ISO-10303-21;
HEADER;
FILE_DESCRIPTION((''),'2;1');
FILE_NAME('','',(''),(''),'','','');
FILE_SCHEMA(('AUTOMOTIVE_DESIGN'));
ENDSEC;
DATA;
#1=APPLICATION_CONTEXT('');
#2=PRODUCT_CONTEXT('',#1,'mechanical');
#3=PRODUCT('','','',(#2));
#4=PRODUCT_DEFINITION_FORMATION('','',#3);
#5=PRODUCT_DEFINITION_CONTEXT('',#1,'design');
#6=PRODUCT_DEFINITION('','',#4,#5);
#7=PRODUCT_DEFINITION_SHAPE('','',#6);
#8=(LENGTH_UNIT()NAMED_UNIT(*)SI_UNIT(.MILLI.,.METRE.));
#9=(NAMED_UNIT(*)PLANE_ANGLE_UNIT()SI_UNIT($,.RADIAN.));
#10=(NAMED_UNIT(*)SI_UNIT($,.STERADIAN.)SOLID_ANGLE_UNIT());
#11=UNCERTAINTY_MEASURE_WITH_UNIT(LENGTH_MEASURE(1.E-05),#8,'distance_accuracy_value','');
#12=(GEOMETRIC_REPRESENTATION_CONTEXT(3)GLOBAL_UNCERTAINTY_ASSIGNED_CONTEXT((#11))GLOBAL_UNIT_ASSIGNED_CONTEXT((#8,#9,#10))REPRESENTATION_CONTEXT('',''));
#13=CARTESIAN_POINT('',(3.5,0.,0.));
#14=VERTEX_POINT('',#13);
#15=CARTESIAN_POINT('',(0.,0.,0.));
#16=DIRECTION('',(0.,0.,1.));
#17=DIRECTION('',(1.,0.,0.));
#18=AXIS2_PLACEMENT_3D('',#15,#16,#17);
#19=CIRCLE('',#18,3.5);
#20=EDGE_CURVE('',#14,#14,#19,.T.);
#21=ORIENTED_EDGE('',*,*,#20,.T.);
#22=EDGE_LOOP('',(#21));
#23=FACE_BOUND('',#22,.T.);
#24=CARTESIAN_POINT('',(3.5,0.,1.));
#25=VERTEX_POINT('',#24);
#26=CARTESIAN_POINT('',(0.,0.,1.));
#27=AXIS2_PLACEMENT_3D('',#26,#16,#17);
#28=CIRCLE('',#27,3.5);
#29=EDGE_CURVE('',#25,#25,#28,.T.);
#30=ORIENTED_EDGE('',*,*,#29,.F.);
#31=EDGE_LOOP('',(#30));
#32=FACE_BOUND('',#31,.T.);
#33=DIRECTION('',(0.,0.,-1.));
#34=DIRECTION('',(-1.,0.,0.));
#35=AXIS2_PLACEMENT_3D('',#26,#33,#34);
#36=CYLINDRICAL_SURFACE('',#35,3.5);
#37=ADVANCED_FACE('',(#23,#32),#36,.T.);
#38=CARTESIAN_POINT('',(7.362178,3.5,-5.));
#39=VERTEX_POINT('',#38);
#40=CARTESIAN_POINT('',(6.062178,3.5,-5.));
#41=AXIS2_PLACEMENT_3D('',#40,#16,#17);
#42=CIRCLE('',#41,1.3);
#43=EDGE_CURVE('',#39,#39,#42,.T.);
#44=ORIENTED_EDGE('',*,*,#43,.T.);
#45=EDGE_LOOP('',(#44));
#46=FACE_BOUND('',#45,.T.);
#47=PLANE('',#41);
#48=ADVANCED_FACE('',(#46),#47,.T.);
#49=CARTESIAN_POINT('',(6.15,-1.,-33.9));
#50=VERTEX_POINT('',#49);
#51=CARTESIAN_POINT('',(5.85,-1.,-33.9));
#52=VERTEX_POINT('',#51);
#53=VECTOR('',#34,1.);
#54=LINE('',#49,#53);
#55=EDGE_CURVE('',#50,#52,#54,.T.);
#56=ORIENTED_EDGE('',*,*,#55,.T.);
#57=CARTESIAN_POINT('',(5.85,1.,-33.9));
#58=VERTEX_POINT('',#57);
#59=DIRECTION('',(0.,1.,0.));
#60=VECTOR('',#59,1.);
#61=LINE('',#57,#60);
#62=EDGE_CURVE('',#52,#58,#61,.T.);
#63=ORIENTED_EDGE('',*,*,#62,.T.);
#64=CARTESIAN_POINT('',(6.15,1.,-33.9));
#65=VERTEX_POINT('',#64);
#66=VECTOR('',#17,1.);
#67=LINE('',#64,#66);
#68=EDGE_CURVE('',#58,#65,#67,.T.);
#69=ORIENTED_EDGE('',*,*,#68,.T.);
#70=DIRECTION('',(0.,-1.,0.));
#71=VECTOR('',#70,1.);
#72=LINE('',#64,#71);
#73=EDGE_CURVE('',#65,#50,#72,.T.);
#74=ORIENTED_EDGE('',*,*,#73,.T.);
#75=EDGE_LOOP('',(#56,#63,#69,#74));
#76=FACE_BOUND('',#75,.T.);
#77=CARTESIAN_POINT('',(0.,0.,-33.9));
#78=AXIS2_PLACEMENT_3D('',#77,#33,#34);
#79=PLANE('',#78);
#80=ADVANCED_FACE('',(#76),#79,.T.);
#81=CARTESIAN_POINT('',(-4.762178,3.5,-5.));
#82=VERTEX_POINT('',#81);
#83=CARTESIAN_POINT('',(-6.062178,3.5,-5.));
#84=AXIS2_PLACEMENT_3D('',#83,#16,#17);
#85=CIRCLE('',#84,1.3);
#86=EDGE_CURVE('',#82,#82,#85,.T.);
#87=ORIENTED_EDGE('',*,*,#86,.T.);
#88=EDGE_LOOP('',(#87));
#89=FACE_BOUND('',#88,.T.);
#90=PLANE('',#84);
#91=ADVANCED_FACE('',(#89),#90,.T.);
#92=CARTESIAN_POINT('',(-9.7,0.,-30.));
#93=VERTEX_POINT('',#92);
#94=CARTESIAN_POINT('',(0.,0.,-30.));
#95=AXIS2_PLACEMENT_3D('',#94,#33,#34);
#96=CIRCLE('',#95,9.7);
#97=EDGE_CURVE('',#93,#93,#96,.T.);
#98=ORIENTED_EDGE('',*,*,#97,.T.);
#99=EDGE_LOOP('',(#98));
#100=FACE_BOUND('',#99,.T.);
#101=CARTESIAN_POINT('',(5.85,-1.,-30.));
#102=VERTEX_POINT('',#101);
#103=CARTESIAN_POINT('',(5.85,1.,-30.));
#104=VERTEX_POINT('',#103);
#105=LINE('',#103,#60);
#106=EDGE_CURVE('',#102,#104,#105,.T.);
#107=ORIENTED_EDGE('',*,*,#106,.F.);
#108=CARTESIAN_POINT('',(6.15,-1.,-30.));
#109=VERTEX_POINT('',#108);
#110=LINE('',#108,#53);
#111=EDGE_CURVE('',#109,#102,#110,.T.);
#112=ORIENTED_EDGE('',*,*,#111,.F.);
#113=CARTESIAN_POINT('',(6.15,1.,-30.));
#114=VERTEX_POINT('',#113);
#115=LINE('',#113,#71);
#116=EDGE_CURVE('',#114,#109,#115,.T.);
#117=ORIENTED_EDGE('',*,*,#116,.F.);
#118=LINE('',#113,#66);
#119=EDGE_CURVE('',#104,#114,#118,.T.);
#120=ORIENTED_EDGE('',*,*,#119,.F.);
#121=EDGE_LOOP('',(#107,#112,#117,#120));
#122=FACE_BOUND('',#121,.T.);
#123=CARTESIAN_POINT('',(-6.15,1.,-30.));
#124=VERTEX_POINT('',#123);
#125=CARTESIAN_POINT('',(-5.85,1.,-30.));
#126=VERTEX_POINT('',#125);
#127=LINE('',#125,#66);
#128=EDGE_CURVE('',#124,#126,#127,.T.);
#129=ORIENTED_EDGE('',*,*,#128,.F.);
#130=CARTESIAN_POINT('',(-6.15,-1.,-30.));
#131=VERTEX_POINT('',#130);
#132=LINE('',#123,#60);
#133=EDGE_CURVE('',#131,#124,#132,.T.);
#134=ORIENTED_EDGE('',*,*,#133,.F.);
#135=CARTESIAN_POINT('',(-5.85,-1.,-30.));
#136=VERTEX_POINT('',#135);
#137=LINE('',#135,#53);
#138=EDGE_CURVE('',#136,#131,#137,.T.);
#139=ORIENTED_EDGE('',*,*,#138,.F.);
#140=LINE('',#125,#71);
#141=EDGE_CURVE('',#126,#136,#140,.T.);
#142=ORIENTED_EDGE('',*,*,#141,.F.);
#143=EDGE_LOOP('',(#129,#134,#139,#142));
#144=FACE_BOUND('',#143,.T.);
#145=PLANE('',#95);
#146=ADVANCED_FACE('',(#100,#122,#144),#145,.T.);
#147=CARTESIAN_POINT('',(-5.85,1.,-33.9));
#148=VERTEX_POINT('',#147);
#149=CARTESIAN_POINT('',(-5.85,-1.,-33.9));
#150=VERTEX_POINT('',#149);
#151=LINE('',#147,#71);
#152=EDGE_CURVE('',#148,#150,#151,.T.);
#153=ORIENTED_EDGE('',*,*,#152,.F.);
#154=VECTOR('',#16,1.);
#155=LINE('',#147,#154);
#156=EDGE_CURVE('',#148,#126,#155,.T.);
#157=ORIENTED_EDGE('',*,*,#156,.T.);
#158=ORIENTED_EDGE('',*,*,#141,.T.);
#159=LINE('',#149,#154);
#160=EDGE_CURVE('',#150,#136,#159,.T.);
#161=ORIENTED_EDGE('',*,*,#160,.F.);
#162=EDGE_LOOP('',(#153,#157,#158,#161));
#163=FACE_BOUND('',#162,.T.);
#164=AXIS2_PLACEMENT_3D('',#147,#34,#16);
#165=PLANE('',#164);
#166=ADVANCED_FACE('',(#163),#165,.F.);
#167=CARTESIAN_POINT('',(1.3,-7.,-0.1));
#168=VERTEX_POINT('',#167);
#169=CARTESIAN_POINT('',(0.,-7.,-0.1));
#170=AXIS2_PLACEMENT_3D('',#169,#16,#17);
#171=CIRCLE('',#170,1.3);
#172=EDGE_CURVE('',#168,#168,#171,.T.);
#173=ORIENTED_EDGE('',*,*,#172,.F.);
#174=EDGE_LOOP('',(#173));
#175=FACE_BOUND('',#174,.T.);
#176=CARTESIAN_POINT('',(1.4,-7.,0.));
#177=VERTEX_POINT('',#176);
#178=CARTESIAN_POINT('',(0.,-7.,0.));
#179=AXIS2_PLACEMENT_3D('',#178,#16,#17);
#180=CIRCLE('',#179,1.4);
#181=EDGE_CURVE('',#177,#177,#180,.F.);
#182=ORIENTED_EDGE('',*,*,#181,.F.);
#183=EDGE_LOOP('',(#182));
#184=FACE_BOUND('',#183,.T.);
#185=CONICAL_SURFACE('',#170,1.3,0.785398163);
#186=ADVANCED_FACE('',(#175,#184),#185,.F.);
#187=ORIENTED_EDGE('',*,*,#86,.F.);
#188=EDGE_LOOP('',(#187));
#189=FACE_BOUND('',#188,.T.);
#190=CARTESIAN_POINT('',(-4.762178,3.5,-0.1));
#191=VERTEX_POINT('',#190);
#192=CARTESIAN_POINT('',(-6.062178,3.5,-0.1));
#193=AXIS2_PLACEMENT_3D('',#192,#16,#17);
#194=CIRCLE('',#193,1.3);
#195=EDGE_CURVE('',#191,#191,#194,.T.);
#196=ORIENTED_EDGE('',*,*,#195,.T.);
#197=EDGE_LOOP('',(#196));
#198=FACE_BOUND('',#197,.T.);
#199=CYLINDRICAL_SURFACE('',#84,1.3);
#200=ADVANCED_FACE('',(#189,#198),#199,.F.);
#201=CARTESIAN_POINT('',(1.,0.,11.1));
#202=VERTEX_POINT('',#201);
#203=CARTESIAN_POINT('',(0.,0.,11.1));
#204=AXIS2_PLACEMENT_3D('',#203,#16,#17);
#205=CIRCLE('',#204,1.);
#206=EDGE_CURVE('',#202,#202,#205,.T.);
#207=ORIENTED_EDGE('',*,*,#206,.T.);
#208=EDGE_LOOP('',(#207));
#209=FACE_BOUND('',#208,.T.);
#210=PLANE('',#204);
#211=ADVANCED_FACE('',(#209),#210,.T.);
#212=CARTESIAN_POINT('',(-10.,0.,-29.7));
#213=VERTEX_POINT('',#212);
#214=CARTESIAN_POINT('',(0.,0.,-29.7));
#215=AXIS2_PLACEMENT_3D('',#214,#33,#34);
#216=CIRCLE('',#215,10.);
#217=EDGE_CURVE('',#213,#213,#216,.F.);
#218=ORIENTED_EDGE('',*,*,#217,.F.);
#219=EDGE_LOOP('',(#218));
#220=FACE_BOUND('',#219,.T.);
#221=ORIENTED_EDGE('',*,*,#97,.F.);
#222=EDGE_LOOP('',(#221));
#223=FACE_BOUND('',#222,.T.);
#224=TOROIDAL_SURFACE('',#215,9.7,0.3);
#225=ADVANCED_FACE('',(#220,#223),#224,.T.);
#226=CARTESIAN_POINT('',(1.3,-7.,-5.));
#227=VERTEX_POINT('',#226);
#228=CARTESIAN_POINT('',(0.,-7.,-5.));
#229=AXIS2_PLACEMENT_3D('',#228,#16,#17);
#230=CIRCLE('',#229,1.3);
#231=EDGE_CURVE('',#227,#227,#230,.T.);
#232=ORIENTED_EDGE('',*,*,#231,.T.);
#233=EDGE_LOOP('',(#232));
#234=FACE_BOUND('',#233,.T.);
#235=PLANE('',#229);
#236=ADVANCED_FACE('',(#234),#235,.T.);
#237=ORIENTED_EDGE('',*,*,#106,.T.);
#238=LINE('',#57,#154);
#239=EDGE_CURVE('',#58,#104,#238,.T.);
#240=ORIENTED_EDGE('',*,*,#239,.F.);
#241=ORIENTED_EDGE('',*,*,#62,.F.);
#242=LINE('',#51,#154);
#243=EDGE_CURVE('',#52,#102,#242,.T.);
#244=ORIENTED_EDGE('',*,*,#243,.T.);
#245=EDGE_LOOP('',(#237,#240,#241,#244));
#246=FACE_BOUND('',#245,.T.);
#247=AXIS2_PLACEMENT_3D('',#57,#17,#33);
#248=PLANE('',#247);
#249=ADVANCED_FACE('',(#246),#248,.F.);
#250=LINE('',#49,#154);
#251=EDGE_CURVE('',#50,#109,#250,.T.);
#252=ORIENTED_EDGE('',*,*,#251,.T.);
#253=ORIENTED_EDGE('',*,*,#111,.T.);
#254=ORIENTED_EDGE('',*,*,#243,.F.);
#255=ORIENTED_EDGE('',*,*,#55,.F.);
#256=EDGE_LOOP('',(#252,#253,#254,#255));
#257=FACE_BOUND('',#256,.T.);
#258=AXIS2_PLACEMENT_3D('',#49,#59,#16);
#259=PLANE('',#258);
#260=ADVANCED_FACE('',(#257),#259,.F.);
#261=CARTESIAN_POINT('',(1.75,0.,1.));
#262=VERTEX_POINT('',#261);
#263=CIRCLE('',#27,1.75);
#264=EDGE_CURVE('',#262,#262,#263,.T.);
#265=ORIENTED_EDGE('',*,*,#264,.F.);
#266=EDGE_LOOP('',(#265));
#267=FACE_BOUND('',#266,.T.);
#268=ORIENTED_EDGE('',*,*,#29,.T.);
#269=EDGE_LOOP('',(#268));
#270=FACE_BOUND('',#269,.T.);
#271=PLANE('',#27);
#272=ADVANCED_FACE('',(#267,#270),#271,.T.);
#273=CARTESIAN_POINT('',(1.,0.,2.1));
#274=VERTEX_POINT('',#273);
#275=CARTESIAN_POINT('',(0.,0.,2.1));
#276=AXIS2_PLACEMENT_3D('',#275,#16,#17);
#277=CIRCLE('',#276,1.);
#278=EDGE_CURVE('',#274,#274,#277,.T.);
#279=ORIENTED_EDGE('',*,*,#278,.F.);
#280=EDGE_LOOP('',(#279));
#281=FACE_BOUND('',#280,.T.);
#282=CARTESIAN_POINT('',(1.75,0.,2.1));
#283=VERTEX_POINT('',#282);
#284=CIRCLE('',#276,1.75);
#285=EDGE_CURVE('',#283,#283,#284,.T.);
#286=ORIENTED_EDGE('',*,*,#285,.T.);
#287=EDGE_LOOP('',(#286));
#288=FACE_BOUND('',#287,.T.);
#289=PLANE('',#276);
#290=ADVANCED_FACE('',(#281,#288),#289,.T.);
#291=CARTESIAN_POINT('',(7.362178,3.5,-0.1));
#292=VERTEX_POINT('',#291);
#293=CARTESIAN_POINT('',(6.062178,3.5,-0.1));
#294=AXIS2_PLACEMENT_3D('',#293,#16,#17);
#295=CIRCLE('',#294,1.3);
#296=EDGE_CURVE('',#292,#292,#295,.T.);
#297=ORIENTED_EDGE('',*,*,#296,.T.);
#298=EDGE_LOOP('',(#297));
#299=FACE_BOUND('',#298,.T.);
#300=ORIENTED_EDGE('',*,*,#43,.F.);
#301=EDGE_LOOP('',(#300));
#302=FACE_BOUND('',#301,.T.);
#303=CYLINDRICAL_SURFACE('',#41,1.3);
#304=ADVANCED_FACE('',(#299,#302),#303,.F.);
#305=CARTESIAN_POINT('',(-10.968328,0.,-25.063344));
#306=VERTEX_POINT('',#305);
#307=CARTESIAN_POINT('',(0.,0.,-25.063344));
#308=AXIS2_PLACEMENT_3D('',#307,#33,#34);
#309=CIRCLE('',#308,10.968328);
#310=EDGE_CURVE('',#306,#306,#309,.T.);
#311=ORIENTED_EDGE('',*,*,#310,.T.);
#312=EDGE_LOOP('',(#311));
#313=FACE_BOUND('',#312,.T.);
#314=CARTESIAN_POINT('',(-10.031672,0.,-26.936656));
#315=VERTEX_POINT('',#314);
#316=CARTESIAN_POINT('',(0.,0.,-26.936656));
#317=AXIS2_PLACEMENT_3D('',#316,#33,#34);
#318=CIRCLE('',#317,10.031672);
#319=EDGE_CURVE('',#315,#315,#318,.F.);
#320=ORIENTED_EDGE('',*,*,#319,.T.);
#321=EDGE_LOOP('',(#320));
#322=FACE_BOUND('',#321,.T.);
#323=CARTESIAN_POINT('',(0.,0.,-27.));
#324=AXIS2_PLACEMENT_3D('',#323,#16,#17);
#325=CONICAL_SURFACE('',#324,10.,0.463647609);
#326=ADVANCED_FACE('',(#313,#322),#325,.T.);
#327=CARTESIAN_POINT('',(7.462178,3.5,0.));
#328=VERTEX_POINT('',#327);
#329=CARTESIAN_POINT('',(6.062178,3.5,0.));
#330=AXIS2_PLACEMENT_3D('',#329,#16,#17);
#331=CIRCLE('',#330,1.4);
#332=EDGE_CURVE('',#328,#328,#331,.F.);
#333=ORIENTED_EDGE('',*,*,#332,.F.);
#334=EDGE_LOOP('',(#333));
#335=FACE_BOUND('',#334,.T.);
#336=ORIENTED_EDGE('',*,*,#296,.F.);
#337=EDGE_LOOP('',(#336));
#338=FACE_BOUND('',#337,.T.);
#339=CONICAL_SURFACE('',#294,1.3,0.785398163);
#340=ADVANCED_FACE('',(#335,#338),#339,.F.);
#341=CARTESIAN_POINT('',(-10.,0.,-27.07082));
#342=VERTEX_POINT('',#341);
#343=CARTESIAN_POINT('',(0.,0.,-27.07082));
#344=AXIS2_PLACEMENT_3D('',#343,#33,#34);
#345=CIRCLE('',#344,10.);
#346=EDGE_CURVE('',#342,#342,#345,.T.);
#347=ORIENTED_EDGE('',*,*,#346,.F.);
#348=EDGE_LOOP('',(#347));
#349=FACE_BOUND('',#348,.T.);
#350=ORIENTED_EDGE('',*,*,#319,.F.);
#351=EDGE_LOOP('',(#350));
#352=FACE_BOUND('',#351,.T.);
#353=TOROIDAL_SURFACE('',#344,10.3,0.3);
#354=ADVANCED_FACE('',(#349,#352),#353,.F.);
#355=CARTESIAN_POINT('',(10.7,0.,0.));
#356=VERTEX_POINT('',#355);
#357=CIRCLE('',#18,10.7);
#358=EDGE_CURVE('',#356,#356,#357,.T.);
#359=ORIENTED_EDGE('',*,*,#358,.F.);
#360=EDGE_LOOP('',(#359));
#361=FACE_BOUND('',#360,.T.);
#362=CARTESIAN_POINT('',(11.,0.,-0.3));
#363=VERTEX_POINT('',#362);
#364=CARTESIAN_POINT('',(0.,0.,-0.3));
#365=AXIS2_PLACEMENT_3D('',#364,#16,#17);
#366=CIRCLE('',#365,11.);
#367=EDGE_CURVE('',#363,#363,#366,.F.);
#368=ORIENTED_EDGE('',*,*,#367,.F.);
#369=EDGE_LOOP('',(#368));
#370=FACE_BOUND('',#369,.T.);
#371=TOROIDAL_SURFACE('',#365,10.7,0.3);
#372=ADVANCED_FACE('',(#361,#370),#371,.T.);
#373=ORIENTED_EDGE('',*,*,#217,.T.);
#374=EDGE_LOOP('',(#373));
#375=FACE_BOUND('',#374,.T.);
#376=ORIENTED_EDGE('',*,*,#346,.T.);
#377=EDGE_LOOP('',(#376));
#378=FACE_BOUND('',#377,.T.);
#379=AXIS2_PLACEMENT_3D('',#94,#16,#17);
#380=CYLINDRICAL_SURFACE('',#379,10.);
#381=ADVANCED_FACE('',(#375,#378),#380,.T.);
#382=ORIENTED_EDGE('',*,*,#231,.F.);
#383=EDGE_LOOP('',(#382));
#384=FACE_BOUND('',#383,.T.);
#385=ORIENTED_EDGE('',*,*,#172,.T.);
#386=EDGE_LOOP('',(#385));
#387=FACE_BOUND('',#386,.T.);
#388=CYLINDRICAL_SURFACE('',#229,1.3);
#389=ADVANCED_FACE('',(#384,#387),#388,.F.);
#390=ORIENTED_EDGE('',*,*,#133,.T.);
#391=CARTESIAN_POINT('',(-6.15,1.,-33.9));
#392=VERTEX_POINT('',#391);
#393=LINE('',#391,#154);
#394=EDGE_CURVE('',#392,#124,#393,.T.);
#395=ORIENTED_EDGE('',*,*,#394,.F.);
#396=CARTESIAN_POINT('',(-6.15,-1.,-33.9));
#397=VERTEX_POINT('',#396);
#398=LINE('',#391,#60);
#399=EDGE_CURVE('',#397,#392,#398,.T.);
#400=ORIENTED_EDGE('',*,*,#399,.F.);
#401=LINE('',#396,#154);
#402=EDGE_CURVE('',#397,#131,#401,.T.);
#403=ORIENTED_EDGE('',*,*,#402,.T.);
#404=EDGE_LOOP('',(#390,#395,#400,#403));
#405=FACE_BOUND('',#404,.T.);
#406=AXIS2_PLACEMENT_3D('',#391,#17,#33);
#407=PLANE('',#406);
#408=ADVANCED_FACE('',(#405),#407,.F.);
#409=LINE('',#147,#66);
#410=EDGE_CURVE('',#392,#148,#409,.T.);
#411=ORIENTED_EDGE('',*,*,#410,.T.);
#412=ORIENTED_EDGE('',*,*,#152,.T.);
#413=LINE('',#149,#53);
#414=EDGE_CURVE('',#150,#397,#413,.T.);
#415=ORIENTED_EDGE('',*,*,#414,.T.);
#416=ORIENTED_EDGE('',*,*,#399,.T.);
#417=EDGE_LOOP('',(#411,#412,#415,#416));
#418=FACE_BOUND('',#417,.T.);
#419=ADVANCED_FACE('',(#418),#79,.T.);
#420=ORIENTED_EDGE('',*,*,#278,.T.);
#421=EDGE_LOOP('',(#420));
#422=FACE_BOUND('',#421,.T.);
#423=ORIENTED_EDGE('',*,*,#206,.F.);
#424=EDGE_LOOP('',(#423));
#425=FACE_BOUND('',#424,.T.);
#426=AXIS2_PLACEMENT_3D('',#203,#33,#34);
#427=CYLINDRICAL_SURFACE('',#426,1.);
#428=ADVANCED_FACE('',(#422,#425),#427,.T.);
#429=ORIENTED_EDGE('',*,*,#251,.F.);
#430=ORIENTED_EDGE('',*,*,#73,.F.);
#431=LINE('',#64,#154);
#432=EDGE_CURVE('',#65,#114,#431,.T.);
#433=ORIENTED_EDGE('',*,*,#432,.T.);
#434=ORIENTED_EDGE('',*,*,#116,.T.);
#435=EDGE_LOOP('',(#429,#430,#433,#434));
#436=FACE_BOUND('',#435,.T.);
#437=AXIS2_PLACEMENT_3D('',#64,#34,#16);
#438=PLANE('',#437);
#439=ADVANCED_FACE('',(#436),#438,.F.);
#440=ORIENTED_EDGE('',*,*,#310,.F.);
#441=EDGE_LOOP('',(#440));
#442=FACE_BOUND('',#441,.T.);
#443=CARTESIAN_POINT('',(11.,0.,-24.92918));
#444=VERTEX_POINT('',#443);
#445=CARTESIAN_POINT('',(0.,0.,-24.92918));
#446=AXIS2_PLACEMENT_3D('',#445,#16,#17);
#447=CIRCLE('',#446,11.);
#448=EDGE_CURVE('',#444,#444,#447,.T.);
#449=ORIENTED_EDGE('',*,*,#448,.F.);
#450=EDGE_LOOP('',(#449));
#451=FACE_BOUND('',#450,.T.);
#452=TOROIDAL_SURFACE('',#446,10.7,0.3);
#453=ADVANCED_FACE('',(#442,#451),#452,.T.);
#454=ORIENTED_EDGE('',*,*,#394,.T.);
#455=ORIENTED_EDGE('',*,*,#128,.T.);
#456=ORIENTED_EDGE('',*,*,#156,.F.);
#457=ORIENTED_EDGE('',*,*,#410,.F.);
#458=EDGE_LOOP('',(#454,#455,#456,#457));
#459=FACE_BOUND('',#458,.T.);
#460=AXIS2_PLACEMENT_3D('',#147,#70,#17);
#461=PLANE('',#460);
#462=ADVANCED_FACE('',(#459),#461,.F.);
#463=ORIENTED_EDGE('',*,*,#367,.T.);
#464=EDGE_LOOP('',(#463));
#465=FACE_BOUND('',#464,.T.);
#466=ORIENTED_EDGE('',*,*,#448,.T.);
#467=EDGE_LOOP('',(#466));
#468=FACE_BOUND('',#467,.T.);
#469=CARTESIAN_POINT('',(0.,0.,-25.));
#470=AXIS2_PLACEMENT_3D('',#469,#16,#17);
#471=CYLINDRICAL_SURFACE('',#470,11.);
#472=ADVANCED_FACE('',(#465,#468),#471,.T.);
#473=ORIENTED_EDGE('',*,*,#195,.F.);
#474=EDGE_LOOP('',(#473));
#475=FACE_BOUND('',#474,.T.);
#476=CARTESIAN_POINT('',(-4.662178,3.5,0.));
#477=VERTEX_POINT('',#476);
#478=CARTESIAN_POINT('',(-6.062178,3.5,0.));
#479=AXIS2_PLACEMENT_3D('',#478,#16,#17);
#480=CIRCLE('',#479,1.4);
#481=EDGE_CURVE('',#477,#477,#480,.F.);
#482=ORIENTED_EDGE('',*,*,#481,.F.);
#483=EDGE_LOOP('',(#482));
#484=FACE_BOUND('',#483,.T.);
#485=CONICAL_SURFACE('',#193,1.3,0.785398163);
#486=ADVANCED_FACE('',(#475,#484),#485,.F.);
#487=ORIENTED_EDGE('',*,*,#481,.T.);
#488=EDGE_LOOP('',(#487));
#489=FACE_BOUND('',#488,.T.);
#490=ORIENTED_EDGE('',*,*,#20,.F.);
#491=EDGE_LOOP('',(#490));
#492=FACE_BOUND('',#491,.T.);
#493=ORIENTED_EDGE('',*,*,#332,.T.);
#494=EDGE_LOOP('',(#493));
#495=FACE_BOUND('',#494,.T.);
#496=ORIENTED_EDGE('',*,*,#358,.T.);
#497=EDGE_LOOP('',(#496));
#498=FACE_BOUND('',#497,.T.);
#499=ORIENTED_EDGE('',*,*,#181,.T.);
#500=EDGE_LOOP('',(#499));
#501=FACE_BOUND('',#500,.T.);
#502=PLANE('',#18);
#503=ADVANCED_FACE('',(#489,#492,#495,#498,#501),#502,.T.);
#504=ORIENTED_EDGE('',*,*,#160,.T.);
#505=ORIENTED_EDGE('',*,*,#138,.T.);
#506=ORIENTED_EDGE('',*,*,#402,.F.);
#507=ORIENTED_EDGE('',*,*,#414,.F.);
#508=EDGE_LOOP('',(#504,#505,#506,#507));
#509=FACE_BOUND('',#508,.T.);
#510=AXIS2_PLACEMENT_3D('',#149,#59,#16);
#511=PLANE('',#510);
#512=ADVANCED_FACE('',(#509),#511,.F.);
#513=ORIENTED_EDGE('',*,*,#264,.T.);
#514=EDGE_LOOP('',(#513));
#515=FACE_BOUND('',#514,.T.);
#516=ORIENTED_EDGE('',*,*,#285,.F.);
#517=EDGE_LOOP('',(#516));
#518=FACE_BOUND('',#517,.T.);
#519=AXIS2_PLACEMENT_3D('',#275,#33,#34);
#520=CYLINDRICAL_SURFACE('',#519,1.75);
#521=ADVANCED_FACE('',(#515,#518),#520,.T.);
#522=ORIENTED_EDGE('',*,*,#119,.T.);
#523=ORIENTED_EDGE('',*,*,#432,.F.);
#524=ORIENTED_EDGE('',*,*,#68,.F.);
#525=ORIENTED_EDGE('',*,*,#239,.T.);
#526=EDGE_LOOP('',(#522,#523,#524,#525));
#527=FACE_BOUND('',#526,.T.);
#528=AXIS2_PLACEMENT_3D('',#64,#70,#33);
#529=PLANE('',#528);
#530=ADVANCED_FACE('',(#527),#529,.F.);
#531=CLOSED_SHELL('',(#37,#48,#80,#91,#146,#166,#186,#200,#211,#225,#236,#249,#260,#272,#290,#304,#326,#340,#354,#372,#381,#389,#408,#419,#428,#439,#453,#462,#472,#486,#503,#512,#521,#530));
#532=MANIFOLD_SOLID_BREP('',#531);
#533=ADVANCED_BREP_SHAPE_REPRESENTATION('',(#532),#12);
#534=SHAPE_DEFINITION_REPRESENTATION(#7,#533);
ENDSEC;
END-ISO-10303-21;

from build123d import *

# Parameters (mm, degrees)
SKETCH1_R           = 11
BOSS_EXTRUDE1_DEPTH = 25
SKETCH2_R           = 10
SKETCH3_R           = 10
BOSS_EXTRUDE2_DEPTH = 3
SKETCH4_R           = 1.3
CUT_EXTRUDE1_DEPTH  = 5
CHAMFER1_SIZE       = 0.1
SKETCH5_R           = 3.5
BOSS_EXTRUDE3_DEPTH = 1
SKETCH6_R           = 1.75
BOSS_EXTRUDE4_DEPTH = 1.1
SKETCH7_R           = 1
BOSS_EXTRUDE5_DEPTH = 9
SKETCH8_W           = 0.3
SKETCH8_H           = 2
BOSS_EXTRUDE6_DEPTH = 3.9
FILLET1_R           = 0.3


with BuildPart() as part:
    # Sketch1 → Boss-Extrude1 (new body)
    with BuildSketch(Plane.XY):
        Circle(SKETCH1_R)
    extrude(amount=-BOSS_EXTRUDE1_DEPTH)

    # Sketch2 → section 1 of loft1
    with BuildSketch(Plane(origin=(0, 0, -27), x_dir=(-1, 0, 0), z_dir=(0, 0, -1)), mode=Mode.PRIVATE) as loft1_s1:
        Circle(SKETCH2_R)
    # loft from a face of the part (loft1)
    loft([part.faces().sort_by_distance((0, 0, -25))[0], loft1_s1.sketch])

    # Sketch3 → Boss-Extrude2 (add)
    with BuildSketch(Plane(origin=(0, 0, -27), x_dir=(-1, 0, 0), z_dir=(0, 0, -1))):
        Circle(SKETCH3_R)
    extrude(amount=BOSS_EXTRUDE2_DEPTH)

    # Sketch4 → Cut-Extrude1 (cut)
    with BuildSketch(Plane.XY):
        with Locations((-6.062177826, 3.5)):
            Circle(SKETCH4_R)
        with Locations((6.062177826, 3.5)):
            Circle(SKETCH4_R)
        with Locations((0, -7)):
            Circle(SKETCH4_R)
    extrude(amount=-CUT_EXTRUDE1_DEPTH, mode=Mode.SUBTRACT)

    # Chamfer1
    chamfer1_edges = [part.edges().sort_by_distance(p)[0] for p in [
        (-7.362177826, 3.5, 0),
        (4.762177826, 3.5, 0),
        (-1.3, -7, 0),
    ]]
    chamfer(chamfer1_edges, length=CHAMFER1_SIZE)

    # Sketch5 → Boss-Extrude3 (add)
    with BuildSketch(Plane.XY):
        Circle(SKETCH5_R)
    extrude(amount=BOSS_EXTRUDE3_DEPTH)

    # Sketch6 → Boss-Extrude4 (add)
    with BuildSketch(Plane.XY.offset(1)):
        Circle(SKETCH6_R)
    extrude(amount=BOSS_EXTRUDE4_DEPTH)

    # Sketch7 → Boss-Extrude5 (add)
    with BuildSketch(Plane.XY.offset(2.1)):
        Circle(SKETCH7_R)
    extrude(amount=BOSS_EXTRUDE5_DEPTH)

    # Sketch8 → Boss-Extrude6 (add)
    with BuildSketch(Plane(origin=(0, 0, -30), x_dir=(-1, 0, 0), z_dir=(0, 0, -1))):
        with Locations((-6, 0)):
            Rectangle(SKETCH8_W, SKETCH8_H)
        with Locations((6, 0)):
            Rectangle(SKETCH8_W, SKETCH8_H)
    extrude(amount=BOSS_EXTRUDE6_DEPTH)

    # Fillet1
    fillet1_edges = [part.edges().sort_by_distance(p)[0] for p in [
        (10, 0, -30),
        (-11, 0, 0),
        (0, 10, -27),
        (-11, 0, -25),
    ]]
    fillet(fillet1_edges, radius=FILLET1_R)


solid = part.part
